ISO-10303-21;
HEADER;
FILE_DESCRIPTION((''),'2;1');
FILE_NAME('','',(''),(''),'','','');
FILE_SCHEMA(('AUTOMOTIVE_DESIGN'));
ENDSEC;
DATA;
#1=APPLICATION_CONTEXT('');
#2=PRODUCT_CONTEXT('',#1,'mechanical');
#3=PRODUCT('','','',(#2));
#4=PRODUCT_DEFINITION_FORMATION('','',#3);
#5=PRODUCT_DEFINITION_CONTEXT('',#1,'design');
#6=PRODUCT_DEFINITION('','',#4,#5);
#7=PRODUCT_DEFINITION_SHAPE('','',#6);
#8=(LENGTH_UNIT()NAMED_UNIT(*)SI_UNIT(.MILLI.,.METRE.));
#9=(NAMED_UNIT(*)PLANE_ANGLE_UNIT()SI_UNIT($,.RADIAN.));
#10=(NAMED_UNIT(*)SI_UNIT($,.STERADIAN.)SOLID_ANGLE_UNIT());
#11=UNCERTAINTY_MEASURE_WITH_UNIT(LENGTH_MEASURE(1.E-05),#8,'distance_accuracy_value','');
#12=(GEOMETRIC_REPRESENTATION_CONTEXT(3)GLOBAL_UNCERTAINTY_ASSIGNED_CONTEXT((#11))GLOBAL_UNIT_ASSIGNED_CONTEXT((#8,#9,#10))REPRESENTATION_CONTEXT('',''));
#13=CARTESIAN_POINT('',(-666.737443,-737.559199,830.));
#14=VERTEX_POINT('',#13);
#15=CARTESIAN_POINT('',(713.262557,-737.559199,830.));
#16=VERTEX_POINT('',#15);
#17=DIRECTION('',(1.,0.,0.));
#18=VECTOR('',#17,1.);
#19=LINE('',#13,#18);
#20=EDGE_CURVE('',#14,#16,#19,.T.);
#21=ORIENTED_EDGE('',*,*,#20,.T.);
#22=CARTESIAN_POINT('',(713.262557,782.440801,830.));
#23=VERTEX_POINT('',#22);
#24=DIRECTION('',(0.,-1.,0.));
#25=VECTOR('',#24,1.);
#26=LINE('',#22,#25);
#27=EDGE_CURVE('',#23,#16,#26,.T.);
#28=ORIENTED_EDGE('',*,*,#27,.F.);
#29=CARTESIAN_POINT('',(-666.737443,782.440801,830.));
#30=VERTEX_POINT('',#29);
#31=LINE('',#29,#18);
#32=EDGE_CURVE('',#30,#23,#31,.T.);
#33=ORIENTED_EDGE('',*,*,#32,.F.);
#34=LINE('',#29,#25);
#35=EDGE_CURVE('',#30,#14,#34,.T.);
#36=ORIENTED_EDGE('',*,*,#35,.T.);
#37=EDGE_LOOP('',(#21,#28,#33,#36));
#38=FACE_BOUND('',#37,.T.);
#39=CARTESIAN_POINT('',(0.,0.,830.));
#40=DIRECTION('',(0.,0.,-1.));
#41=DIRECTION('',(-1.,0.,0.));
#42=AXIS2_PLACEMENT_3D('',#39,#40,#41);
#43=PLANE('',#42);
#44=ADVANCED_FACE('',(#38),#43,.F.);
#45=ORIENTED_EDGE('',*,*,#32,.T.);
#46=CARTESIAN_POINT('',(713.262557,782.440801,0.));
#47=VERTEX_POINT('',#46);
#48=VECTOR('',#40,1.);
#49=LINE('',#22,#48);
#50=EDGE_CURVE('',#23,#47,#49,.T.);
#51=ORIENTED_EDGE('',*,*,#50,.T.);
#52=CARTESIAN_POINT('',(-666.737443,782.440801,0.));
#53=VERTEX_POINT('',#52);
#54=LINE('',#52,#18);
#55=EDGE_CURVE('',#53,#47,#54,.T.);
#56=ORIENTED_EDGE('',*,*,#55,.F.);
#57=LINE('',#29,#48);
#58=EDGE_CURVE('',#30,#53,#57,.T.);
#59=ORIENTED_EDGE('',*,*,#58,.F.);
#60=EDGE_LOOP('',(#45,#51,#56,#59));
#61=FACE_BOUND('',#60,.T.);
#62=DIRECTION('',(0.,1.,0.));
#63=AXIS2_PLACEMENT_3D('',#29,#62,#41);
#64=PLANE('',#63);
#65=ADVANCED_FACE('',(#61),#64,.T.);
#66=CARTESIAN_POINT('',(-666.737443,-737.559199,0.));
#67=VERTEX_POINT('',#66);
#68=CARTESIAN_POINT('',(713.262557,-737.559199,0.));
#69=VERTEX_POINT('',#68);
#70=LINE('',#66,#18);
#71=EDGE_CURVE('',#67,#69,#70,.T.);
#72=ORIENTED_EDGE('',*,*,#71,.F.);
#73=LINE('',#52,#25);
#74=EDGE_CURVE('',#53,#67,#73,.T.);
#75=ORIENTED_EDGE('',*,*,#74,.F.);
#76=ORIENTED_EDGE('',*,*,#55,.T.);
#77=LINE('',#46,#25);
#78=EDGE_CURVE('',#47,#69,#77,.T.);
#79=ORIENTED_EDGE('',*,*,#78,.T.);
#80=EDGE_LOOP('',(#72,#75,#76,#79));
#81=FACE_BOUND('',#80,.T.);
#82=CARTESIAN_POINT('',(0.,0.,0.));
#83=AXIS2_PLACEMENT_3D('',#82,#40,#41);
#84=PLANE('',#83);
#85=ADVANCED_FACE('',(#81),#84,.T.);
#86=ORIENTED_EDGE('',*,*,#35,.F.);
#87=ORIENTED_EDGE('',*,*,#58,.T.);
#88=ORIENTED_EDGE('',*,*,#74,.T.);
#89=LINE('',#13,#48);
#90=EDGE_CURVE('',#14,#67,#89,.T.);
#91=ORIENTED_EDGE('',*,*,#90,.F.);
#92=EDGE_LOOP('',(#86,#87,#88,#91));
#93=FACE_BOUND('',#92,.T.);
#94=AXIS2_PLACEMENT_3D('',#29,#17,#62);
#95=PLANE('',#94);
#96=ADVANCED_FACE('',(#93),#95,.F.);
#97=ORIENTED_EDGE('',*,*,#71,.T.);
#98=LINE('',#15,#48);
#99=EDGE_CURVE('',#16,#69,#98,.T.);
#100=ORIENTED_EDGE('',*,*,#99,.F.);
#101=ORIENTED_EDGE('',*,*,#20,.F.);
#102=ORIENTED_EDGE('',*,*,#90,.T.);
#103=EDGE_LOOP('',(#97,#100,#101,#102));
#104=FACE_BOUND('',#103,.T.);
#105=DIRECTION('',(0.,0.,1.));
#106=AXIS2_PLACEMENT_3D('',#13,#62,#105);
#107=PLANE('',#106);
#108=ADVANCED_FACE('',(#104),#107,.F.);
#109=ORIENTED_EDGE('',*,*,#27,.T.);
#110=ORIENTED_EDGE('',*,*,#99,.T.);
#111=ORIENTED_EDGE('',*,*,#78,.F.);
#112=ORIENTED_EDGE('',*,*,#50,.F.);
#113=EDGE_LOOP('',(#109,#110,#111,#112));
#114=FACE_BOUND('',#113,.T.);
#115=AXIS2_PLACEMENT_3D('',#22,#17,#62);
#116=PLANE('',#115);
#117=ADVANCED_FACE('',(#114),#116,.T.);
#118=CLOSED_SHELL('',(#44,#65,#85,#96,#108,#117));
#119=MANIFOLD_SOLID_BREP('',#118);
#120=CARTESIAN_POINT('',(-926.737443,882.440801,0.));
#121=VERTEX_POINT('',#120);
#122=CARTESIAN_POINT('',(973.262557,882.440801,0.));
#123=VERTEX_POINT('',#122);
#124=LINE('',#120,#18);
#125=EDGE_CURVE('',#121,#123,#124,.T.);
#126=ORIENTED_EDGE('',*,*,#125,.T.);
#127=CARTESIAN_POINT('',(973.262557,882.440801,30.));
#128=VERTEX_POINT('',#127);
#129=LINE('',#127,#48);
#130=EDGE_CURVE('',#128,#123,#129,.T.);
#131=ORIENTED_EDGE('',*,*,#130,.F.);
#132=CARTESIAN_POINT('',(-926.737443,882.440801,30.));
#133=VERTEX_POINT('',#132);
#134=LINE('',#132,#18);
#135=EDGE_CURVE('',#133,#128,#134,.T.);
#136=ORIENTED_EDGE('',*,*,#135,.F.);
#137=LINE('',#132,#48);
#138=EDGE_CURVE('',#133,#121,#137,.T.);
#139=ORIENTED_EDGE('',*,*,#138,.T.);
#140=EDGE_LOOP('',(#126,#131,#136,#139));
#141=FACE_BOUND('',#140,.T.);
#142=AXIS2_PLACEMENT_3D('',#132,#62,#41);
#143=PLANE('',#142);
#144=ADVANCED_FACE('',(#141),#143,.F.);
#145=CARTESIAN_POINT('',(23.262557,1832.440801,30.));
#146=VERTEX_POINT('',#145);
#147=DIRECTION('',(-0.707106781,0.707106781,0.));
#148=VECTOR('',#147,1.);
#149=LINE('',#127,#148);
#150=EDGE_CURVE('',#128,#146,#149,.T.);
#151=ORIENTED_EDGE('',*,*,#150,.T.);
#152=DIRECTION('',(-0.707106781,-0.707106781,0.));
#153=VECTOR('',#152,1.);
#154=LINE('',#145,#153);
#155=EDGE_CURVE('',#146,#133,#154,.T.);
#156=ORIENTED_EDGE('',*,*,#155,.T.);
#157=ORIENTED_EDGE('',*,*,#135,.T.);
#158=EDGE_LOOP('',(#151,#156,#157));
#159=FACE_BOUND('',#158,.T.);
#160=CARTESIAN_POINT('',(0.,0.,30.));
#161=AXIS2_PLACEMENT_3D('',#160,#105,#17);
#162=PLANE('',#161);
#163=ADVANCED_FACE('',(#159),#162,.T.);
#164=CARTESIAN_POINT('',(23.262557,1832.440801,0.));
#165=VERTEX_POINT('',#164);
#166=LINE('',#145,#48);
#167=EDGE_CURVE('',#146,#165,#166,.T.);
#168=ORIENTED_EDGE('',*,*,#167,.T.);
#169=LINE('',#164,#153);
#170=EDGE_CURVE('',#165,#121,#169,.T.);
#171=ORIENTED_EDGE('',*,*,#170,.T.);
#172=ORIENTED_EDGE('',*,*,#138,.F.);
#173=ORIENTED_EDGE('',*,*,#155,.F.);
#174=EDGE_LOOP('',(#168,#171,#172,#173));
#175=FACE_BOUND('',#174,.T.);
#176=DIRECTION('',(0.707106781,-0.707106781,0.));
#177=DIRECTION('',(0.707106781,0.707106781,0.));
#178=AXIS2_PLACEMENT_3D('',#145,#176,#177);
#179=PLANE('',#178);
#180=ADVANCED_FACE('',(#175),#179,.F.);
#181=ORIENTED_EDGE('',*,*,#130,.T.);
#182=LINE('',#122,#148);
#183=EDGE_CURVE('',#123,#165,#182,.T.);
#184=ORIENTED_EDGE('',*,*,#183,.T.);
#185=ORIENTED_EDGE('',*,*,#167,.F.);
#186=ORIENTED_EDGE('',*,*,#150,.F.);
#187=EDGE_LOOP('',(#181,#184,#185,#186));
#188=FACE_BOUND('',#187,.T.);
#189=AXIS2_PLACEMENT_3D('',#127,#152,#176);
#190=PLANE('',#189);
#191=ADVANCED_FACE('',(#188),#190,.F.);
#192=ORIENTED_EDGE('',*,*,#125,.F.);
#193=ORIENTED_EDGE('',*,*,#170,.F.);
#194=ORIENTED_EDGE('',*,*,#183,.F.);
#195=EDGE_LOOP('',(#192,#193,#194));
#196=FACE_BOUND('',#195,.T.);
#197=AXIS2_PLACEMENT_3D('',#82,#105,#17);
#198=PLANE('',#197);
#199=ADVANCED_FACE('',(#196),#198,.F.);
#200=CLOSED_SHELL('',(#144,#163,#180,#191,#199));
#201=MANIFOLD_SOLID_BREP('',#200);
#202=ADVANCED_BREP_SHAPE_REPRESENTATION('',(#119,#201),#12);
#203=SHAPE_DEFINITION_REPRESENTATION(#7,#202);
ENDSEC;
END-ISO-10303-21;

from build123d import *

# Parameters (mm, degrees)
SKETCH2_W           = 1380
SKETCH2_H           = 1520
BOSS_EXTRUDE3_DEPTH = 830
BOSS_EXTRUDE5_DEPTH = 30


with BuildPart() as part:
    # Sketch2 → Boss-Extrude3 (new body)
    with BuildSketch(Plane.XY):
        with Locations((23.262557024, 22.44080113)):
            Rectangle(SKETCH2_W, SKETCH2_H)
    extrude(amount=BOSS_EXTRUDE3_DEPTH)


with BuildPart() as body_2:
    # Sketch3 → Boss-Extrude5 (new body)
    with BuildSketch(Plane.XY):
        Polygon((23.262557024, 1832.44080113), (-926.737442976, 882.44080113), (973.262557024, 882.44080113), align=None)
    extrude(amount=BOSS_EXTRUDE5_DEPTH)


solid = Compound([part.part, body_2.part])
